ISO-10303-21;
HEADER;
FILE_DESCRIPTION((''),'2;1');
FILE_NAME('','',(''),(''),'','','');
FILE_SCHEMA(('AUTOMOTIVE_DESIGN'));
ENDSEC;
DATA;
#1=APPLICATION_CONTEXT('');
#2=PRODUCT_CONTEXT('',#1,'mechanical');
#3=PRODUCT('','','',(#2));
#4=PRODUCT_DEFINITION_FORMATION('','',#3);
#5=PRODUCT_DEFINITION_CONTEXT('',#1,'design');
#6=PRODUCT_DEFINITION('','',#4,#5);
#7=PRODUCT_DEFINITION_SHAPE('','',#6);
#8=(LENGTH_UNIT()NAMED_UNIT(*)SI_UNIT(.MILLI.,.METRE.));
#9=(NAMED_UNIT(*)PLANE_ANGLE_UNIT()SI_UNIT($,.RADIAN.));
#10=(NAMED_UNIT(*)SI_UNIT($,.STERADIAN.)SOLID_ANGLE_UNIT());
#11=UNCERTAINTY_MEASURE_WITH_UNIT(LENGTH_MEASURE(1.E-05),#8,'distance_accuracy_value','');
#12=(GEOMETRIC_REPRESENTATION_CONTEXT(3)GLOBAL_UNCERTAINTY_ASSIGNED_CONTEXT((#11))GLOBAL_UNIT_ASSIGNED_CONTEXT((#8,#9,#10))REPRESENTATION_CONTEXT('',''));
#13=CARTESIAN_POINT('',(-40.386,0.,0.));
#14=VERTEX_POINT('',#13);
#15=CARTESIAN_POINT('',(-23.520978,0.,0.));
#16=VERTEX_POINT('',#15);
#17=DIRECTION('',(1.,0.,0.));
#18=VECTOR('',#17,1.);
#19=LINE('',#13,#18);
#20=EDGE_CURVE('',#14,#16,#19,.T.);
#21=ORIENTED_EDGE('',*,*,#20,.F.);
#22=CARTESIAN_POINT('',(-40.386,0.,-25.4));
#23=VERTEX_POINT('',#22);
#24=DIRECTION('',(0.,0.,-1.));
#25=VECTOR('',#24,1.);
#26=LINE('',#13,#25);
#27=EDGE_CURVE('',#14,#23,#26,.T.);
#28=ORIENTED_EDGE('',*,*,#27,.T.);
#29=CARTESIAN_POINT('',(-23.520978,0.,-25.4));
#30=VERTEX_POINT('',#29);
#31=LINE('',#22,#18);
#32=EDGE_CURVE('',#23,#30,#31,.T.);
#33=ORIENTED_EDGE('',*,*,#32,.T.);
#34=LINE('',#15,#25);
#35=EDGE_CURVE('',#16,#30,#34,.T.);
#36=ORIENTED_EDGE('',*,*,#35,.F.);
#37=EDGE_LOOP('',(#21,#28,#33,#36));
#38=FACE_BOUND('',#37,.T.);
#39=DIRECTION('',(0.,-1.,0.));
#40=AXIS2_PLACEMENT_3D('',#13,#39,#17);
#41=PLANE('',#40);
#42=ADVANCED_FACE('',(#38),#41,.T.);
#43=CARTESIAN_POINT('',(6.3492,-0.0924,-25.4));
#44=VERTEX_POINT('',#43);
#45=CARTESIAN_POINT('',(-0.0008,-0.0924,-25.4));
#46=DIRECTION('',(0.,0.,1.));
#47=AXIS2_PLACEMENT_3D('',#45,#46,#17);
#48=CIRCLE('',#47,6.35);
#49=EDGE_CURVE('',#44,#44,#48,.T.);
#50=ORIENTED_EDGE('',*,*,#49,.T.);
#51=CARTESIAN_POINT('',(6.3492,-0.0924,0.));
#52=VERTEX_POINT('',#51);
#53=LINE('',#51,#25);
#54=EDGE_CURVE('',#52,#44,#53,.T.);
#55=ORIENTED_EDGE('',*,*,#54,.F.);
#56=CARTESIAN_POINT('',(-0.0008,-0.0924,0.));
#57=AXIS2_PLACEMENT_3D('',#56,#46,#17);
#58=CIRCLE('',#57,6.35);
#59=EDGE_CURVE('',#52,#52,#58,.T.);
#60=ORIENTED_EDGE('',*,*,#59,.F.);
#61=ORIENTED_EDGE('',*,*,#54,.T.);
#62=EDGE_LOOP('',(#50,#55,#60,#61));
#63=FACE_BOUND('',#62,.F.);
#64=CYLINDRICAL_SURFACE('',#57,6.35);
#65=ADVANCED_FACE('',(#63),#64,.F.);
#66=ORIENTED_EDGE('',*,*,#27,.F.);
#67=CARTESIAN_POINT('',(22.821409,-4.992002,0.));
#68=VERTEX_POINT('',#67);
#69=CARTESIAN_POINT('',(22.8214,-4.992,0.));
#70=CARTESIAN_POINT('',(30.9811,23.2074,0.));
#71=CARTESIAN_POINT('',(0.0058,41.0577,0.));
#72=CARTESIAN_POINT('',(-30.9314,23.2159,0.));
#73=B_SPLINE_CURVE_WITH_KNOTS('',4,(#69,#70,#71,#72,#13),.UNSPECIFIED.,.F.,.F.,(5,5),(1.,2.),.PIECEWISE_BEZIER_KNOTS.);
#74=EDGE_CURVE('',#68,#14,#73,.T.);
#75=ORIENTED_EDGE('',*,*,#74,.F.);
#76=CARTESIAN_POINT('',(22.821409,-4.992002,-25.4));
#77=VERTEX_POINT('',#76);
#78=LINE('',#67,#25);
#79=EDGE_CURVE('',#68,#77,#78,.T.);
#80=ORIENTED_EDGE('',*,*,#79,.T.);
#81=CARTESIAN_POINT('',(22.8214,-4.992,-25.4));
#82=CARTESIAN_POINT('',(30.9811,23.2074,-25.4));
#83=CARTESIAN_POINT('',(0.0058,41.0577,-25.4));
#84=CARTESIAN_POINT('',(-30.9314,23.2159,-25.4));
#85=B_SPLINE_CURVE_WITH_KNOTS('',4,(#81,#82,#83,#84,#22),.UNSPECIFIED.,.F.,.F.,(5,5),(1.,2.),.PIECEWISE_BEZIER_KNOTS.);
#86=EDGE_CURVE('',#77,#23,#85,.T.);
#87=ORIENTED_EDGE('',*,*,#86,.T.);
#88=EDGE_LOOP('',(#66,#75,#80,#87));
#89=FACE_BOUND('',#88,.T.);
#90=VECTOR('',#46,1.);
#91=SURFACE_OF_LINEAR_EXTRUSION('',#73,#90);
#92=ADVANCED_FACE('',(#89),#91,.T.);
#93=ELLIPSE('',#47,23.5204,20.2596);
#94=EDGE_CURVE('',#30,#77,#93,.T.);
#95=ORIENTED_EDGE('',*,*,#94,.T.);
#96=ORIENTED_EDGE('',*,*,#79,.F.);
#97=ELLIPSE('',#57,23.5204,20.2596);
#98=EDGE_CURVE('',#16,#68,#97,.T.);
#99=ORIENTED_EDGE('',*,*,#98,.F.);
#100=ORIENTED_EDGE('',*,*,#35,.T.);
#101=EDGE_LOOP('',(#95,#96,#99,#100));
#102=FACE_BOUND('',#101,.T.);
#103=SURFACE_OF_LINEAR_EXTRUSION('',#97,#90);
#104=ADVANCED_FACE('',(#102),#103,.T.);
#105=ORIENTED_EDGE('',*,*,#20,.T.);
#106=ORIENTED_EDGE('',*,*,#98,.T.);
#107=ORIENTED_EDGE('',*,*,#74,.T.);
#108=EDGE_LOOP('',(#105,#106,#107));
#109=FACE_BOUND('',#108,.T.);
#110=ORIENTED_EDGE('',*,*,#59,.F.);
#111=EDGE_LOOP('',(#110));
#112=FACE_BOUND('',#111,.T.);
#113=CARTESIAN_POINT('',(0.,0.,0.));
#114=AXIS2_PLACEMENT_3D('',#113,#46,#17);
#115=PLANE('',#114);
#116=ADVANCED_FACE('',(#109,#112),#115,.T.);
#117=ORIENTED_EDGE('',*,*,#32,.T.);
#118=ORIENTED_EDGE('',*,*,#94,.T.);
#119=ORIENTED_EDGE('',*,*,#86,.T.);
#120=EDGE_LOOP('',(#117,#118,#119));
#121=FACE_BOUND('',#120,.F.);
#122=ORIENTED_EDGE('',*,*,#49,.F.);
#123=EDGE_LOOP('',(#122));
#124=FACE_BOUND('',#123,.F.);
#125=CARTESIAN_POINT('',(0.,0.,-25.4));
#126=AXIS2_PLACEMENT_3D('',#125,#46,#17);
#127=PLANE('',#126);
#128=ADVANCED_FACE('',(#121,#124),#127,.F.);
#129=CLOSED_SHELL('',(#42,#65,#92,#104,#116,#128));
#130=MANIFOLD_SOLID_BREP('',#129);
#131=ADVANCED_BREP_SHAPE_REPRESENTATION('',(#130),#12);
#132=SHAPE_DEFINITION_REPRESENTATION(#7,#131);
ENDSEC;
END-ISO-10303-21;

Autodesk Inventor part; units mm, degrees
ref_plane "YZ Plane" through (0, 0, 0) normal (1, 0, 0) x (0, 1, 0)
ref_plane "XZ Plane" through (0, 0, 0) normal (0, 1, 0) x (-1, 0, 0)
ref_plane "XY Plane" through (0, 0, 0) normal (0, 0, 1) x (1, 0, 0)
sketch "Sketch1" plane through (0, 0, 0) normal (0, 0, 1) x (1, 0, 0)
  ellipse E0 centre (-0.0008, -0.0924) end of major axis (23.5196, -0.0924) minor radius 20.2596 (-23.521, 0) -> (22.8214, -4.992) ccw
  line L0 (22.8214, -4.992) -> (30.9811, 23.2074) construction
  line L1 (30.9811, 23.2074) -> (0.0058, 41.0577) construction
  line L2 (0.0058, 41.0577) -> (-30.9314, 23.2159) construction
  line L3 (-30.9314, 23.2159) -> (-40.386, 0) construction
  spline S0 degree 4 poles (22.8214, -4.992) (30.9811, 23.2074) (0.0058, 41.0577) (-30.9314, 23.2159) (-40.386, 0) knots 1 1 1 1 1 2 2 2 2 2
  line L4 (-40.386, 0) -> (-23.521, 0)
  circle A0 centre (-0.0008, -0.0924) radius 6.35
  point P0 (0, 0)
  dimension "d60" = 23.5204
  dimension "d61" = 20.2596
  dimension "d18" = 40.386
  dimension "d19" = 16.865
  dimension "d29" = 41.0577
  dimension "d30" = 35.7133
  dimension "d31" = 25.0673
  dimension "d32" = 35.7507
  dimension "d33" = 29.3562
  dimension "d43" = 120.074
  dimension "d50" = 12.7
  dimension "d62" = 103.815
  dimension "d63" = 106.138
extrude "Extrusion1" add sketch "Sketch1" against normal blind 25.4
properties part number "cam 2"
